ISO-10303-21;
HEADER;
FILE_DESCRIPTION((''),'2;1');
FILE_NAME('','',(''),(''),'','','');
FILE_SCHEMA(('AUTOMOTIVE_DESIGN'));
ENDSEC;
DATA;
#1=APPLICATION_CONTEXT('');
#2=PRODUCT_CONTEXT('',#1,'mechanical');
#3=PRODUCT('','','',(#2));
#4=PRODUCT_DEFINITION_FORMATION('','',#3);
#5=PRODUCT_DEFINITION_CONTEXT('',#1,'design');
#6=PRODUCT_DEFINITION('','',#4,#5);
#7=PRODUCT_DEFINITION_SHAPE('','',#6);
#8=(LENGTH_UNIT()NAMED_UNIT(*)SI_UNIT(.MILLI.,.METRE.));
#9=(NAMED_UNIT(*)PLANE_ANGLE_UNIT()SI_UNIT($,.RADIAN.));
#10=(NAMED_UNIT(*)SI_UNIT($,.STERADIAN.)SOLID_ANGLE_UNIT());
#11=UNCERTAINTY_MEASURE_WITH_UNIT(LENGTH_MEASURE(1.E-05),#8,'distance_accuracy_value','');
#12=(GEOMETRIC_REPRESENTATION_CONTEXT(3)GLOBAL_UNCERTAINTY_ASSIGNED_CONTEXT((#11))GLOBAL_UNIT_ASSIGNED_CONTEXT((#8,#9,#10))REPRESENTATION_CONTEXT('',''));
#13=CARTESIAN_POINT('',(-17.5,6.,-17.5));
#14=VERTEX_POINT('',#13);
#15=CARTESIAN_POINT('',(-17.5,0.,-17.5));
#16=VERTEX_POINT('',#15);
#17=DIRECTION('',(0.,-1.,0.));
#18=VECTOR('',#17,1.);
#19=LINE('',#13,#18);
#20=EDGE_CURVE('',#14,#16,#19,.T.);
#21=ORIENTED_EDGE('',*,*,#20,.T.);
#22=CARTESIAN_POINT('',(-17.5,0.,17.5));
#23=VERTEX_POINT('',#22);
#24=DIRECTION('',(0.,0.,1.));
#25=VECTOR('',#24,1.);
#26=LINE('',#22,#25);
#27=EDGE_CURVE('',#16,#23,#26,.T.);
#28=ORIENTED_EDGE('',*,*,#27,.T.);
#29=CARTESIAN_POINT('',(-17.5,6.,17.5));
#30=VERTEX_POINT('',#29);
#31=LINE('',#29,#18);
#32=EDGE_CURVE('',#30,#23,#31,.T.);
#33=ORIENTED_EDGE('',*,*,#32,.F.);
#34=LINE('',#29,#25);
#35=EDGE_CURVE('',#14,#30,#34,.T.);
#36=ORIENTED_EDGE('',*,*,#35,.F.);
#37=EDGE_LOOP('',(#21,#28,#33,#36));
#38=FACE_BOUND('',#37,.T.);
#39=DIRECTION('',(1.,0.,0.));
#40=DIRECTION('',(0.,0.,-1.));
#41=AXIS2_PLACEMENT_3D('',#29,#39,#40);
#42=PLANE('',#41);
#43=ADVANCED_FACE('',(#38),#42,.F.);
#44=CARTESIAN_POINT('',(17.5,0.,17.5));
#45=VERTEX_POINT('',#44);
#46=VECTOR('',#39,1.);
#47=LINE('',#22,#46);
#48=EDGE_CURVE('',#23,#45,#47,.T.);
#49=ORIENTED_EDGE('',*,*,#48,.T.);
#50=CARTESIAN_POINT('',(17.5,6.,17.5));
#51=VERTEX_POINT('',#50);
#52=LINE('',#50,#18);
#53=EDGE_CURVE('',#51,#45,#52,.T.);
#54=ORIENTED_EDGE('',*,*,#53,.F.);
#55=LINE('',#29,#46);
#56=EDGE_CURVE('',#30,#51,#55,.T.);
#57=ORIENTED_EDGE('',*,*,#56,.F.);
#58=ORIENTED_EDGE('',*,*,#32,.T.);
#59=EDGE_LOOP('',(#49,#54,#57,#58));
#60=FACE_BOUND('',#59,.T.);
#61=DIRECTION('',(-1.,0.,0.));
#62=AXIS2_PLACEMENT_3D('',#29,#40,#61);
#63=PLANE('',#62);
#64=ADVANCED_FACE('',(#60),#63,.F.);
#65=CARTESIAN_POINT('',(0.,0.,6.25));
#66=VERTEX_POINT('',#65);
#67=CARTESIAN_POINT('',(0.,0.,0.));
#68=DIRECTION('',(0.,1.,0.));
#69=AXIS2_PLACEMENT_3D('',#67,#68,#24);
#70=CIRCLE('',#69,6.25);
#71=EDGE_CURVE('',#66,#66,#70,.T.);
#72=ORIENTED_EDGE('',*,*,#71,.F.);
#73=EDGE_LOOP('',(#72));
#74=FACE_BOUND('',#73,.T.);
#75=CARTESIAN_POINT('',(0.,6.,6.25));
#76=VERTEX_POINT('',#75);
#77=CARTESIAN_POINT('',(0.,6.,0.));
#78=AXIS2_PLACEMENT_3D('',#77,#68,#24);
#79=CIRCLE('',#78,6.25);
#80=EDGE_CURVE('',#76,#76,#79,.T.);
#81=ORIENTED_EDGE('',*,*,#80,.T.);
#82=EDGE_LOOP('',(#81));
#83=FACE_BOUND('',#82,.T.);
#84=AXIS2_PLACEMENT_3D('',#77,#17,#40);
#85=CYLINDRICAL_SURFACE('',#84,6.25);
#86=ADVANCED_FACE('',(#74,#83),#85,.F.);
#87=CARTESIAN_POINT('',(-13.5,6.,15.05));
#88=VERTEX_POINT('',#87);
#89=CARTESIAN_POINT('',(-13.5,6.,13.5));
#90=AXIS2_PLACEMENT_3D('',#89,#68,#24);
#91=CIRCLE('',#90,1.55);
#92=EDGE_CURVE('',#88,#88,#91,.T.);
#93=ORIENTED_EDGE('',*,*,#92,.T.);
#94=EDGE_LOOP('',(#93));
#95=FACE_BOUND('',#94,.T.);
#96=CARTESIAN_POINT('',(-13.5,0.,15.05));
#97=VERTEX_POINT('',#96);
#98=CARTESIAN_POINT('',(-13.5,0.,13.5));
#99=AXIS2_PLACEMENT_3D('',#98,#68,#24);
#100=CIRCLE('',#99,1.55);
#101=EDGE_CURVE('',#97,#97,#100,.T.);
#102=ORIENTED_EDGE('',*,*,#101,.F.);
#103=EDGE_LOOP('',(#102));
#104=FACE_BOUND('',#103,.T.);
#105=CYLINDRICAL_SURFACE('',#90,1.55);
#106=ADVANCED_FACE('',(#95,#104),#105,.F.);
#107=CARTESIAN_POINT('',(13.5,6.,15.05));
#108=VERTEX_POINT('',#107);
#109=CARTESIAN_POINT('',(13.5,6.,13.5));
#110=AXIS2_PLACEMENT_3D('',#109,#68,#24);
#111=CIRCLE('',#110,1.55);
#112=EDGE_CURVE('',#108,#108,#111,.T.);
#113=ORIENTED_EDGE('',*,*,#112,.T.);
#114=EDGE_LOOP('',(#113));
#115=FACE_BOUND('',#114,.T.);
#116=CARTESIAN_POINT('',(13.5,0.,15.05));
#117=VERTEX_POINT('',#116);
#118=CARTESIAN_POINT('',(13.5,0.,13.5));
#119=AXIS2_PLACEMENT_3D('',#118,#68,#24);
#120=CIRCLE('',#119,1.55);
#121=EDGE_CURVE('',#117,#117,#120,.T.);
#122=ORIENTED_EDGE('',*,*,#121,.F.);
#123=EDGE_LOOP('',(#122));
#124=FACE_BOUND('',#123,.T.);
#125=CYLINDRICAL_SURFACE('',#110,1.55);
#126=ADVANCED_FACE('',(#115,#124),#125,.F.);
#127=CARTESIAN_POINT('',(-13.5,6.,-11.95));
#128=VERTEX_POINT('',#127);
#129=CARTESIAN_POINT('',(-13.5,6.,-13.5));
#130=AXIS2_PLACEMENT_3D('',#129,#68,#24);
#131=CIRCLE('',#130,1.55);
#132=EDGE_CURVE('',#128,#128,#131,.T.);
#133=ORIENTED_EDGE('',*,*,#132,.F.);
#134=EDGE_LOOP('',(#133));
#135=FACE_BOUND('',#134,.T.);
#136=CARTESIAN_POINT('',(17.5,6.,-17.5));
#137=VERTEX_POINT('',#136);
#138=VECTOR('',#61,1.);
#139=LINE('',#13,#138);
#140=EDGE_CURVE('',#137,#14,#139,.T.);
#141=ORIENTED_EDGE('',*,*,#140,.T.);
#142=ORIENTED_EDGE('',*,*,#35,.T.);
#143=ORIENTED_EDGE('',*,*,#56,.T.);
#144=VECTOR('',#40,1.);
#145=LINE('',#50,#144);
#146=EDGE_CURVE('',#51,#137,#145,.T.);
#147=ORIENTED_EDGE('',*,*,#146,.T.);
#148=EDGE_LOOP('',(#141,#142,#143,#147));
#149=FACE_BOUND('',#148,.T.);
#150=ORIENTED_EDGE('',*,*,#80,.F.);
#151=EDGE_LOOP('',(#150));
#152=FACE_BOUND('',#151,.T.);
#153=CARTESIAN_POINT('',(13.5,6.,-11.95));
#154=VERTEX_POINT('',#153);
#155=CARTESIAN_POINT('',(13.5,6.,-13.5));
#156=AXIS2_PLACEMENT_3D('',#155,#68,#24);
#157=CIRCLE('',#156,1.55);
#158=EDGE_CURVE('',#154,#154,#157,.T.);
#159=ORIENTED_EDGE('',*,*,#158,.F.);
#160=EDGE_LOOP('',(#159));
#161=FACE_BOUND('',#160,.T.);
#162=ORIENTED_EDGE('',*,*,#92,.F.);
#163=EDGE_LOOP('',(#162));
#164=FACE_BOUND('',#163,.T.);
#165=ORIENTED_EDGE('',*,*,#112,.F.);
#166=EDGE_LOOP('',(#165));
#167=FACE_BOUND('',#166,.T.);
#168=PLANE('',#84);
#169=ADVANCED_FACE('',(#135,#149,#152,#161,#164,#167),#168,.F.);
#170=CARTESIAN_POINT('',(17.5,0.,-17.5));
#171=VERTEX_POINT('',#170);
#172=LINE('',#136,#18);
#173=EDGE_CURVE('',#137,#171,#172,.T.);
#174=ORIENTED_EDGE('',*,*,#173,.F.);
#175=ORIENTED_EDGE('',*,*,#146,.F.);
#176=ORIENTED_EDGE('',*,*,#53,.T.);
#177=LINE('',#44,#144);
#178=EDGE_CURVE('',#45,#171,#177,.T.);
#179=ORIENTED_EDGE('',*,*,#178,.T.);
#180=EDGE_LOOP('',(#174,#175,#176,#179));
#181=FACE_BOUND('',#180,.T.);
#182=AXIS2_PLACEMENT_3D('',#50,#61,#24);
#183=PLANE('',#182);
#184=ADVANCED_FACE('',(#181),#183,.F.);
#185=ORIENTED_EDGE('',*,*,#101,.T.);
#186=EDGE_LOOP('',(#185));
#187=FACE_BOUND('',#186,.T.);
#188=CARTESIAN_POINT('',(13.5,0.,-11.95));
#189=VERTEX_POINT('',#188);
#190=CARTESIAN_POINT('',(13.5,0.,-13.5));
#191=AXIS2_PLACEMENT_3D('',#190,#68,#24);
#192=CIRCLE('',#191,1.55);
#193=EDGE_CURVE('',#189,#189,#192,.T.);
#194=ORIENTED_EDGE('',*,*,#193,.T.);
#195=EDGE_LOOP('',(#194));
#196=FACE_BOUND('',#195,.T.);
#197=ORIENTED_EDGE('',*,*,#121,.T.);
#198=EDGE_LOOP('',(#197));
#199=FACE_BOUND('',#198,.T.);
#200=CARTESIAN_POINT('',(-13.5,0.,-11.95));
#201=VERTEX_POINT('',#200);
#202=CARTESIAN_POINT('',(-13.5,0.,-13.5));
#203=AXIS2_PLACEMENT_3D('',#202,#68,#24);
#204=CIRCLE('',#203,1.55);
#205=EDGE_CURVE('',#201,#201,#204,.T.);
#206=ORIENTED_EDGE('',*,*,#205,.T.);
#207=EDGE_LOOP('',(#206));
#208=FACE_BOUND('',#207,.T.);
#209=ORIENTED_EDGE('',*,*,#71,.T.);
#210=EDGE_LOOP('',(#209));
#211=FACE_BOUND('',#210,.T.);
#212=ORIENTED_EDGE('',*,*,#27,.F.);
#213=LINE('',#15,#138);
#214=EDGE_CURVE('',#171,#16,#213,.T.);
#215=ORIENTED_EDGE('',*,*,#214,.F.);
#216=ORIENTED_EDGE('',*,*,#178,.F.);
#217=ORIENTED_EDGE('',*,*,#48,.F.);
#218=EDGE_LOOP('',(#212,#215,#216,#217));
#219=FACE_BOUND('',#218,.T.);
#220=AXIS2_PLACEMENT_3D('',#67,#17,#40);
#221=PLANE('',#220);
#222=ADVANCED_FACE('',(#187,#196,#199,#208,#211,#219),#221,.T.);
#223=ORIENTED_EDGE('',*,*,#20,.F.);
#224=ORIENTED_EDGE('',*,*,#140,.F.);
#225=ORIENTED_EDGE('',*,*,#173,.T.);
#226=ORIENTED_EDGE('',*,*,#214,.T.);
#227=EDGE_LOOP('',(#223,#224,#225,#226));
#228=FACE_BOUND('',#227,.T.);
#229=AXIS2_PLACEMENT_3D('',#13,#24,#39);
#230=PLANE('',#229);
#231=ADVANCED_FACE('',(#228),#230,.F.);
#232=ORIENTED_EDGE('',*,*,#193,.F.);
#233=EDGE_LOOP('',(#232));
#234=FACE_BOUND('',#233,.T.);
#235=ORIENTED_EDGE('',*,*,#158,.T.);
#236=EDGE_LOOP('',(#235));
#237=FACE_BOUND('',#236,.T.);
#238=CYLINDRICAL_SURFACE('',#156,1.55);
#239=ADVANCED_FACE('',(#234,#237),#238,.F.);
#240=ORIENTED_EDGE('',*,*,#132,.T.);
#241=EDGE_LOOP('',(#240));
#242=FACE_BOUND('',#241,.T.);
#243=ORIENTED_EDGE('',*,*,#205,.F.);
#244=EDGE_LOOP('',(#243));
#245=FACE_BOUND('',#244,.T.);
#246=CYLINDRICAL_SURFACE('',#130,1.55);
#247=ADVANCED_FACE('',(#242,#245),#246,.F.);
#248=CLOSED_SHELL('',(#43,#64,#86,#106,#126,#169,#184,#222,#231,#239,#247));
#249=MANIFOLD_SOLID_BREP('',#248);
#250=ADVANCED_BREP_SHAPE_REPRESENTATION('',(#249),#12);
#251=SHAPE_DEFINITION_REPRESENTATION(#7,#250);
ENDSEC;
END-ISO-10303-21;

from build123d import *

# Parameters (mm, degrees)
SKETCH1_W            = 35
SKETCH1_H            = 35
SKETCH1_R            = 6.25
BOSS_EXTRUDE1_DEPTH  = 6
M3_CLEARANCE_HOLE1_D = 3.1


with BuildPart() as part:
    # Sketch1 → Boss-Extrude1 (new body)
    with BuildSketch(Plane(origin=(0, 0, 0), x_dir=(1, 0, 0), z_dir=(0, 1, 0))):
        Rectangle(SKETCH1_W, SKETCH1_H)
        with Locations(Location((0, 0, 0), (0, 0, 270))):
            Circle(SKETCH1_R, mode=Mode.SUBTRACT)
    extrude(amount=BOSS_EXTRUDE1_DEPTH)

    # M3 Clearance Hole1 (through all)
    with Locations(Plane(origin=(0, 6, 0), x_dir=(1, 0, 0), z_dir=(0, 1, 0))):
        with Locations((-13.5, 13.5), (13.5, 13.5), (13.5, -13.5), (-13.5, -13.5), (0, 0)):
            Hole(M3_CLEARANCE_HOLE1_D / 2)


solid = part.part
